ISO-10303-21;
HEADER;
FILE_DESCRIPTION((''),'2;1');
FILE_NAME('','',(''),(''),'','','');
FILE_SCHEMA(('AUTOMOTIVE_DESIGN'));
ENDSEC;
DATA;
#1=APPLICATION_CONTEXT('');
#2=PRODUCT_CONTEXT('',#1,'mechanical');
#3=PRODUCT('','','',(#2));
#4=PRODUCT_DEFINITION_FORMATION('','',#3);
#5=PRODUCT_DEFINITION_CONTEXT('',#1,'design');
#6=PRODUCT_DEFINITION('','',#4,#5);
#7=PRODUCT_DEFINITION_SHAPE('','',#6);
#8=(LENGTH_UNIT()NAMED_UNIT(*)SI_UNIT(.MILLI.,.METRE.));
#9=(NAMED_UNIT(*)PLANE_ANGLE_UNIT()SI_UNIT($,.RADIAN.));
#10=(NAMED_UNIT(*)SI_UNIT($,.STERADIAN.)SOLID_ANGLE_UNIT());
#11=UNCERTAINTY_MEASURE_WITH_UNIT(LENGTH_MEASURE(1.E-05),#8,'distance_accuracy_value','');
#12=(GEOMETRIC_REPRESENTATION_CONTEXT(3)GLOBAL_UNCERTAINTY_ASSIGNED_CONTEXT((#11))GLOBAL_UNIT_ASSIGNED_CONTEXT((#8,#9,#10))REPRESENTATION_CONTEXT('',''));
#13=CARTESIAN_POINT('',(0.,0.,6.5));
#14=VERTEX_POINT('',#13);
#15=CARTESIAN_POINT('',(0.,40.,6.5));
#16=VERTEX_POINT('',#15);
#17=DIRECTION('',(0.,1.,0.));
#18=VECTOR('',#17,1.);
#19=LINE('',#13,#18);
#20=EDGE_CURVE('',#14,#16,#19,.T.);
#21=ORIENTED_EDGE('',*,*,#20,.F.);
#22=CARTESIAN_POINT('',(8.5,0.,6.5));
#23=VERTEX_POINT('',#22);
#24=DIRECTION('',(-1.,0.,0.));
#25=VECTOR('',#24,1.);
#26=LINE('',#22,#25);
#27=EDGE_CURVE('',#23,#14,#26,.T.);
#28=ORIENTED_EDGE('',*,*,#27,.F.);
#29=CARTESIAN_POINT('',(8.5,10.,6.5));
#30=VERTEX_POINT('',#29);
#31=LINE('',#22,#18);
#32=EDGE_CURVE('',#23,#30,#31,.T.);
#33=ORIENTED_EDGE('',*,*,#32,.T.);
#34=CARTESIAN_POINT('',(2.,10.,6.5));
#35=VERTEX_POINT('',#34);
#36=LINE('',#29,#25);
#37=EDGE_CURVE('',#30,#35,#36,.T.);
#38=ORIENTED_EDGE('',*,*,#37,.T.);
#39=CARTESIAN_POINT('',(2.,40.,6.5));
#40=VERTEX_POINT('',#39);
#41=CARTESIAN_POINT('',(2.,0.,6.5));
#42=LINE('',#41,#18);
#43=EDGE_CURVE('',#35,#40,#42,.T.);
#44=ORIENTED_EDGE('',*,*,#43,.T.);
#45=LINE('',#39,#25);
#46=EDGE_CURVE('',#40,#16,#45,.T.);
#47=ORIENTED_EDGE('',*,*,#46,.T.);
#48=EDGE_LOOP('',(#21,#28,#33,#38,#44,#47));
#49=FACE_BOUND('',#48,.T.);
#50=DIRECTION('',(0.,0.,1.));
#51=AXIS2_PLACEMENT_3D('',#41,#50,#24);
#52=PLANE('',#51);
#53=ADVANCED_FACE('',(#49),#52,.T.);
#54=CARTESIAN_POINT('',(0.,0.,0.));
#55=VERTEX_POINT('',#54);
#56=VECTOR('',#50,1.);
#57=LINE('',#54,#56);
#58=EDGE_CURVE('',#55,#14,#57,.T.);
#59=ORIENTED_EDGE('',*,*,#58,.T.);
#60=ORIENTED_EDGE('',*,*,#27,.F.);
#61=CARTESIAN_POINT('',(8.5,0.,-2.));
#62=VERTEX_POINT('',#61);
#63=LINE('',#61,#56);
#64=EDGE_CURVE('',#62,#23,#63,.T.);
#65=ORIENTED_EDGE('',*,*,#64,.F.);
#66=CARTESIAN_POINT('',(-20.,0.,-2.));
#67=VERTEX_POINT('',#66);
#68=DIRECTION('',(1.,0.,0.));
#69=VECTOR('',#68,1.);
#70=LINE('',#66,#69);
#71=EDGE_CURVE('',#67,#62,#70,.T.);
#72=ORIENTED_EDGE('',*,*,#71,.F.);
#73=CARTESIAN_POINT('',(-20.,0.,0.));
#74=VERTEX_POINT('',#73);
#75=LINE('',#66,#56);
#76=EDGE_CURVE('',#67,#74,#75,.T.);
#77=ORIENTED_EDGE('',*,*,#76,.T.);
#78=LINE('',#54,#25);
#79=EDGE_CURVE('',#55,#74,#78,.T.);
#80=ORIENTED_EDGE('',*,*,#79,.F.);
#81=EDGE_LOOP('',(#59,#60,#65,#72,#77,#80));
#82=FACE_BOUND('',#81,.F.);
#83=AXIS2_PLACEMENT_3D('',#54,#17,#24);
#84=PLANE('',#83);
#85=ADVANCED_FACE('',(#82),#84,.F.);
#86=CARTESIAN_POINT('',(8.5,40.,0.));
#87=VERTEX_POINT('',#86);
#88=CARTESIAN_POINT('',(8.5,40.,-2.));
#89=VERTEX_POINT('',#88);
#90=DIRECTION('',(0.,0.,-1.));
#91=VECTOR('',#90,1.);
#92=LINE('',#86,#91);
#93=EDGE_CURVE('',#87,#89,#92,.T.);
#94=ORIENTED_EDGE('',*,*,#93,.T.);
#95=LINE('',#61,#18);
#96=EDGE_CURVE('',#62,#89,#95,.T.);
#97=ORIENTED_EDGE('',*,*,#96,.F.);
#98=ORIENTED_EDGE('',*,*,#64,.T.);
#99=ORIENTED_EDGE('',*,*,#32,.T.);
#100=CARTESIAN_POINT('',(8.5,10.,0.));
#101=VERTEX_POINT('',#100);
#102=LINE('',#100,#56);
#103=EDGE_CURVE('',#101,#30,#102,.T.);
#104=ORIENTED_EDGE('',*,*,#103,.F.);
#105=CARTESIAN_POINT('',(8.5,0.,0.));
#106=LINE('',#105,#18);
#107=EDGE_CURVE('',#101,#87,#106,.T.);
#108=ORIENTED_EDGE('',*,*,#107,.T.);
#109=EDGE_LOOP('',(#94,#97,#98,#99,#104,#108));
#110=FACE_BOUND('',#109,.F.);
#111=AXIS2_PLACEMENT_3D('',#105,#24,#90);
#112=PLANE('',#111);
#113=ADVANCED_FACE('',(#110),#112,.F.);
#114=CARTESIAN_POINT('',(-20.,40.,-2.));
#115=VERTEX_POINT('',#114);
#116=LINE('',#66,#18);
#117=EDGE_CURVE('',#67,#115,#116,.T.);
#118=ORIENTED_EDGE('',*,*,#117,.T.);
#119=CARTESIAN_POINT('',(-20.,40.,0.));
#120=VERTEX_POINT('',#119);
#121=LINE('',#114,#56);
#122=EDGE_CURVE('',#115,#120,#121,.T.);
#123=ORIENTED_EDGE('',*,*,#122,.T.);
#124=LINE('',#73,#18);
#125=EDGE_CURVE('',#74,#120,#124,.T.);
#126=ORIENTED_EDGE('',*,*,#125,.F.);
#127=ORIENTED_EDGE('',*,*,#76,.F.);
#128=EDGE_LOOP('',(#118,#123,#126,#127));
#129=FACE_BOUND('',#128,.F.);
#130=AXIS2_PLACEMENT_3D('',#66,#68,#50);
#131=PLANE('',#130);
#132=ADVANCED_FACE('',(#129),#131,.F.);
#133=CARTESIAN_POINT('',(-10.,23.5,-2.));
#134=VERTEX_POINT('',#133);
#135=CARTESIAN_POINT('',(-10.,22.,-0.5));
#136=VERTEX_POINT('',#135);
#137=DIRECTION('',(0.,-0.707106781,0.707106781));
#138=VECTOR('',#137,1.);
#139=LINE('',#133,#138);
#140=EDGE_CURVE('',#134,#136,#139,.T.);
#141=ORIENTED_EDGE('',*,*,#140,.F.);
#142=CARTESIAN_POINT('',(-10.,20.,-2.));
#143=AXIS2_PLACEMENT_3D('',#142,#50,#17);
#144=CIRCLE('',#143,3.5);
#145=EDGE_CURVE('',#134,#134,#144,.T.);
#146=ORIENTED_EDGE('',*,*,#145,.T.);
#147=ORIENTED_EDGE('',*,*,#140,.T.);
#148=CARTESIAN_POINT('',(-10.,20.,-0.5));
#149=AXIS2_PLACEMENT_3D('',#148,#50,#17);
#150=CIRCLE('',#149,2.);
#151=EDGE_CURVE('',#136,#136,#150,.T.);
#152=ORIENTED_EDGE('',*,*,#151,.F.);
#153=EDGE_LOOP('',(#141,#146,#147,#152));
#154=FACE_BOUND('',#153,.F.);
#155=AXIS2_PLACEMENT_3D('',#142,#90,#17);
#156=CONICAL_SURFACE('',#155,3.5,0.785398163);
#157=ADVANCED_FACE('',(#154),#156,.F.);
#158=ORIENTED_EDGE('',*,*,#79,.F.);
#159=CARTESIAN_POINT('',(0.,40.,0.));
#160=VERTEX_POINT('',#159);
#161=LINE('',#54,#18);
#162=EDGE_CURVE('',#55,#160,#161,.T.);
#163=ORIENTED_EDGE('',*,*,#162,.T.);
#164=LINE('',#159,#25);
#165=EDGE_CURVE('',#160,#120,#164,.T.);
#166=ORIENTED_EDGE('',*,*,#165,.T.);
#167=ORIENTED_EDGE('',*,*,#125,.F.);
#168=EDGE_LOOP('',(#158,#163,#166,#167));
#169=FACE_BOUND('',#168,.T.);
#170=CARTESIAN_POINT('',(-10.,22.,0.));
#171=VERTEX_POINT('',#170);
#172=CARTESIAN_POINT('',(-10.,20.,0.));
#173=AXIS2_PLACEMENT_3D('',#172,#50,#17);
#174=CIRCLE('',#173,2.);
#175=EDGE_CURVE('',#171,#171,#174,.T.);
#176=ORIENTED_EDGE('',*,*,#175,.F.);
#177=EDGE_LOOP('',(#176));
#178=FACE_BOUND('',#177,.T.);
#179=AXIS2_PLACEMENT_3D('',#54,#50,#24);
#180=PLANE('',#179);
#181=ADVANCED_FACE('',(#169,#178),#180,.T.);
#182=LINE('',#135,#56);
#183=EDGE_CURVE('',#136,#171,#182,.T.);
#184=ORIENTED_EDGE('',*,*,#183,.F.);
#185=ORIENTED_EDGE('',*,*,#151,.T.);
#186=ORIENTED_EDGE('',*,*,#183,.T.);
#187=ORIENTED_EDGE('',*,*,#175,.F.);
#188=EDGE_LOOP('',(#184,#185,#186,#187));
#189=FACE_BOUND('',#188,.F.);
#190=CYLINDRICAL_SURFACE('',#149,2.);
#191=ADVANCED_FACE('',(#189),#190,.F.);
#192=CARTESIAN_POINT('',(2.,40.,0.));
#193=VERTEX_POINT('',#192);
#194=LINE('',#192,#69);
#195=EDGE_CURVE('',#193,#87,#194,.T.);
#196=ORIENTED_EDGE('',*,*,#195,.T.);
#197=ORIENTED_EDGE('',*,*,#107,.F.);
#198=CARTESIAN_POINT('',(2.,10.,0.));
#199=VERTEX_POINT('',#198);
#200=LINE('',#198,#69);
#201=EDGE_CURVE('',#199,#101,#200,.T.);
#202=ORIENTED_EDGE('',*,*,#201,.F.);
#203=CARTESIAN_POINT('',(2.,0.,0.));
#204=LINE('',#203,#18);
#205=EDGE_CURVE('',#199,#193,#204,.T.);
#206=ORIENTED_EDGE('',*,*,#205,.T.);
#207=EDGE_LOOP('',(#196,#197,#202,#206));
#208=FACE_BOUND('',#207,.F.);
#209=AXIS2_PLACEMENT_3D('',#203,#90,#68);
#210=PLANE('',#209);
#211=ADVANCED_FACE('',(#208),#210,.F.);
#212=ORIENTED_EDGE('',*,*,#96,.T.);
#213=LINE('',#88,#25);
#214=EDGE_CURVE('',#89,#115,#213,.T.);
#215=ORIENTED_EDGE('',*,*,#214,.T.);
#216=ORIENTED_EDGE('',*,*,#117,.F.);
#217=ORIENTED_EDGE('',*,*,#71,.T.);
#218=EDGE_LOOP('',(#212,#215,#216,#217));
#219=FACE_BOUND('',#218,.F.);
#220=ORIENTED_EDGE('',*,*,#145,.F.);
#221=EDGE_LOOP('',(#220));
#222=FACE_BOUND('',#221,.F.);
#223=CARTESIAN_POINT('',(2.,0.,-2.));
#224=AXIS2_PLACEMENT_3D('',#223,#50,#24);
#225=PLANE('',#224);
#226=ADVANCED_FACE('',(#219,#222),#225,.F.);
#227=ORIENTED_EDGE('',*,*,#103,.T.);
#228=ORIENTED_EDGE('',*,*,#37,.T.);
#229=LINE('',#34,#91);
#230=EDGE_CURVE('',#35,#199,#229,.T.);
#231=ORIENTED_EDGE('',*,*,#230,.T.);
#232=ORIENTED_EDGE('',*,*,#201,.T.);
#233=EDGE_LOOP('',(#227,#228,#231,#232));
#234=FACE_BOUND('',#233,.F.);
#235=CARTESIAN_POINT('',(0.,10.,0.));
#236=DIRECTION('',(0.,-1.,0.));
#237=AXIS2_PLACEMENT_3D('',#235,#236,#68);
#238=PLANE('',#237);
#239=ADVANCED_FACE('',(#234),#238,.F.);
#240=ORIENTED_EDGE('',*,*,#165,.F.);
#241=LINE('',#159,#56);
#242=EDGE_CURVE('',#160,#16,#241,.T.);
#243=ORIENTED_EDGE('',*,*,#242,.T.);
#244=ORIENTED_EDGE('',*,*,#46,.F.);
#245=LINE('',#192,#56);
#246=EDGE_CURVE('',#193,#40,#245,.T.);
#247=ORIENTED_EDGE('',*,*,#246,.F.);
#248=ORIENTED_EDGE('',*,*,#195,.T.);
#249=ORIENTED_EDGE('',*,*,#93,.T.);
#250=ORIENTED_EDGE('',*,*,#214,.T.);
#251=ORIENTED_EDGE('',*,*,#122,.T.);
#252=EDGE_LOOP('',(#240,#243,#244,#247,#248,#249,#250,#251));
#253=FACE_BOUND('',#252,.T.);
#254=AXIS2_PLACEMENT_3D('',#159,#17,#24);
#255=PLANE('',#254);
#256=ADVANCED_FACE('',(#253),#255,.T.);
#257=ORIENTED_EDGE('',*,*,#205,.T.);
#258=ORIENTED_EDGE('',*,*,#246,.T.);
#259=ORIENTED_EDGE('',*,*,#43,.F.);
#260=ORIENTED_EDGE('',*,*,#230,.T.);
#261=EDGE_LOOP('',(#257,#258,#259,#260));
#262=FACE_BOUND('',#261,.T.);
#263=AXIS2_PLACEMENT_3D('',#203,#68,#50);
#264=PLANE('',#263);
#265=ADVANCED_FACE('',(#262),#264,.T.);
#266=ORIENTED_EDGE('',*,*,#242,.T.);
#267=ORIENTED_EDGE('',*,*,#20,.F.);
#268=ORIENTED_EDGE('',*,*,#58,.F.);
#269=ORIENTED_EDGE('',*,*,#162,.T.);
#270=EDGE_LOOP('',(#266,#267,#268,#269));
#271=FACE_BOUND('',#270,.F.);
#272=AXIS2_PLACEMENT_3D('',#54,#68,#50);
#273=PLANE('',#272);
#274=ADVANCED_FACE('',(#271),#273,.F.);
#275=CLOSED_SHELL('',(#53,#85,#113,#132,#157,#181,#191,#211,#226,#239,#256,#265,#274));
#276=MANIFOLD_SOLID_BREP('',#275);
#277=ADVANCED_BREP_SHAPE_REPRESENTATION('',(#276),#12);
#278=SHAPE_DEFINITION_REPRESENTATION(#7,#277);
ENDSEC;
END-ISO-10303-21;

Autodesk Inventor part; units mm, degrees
ref_plane "YZ Plane" through (0, 0, 0) normal (1, 0, 0) x (0, 1, 0)
ref_plane "XZ Plane" through (0, 0, 0) normal (0, 1, 0) x (-1, 0, 0)
ref_plane "XY Plane" through (0, 0, 0) normal (0, 0, 1) x (1, 0, 0)
sketch "Sketch1" plane through (0, 0, 0) normal (0, 1, 0) x (-1, 0, 0)
  line L0 (0, 0) -> (0, 6.5)
  line L1 (0, 0) -> (20, 0)
  line L2 (-2, -2) -> (20, -2)
  line L3 (-2, 0) -> (-2, 6.5)
  line L4 (20, -2) -> (20, 0)
  line L5 (-2, 0) -> (-8.5, 0)
  line L6 (-8.5, -2) -> (-2, -2)
  line L7 (-8.5, 0) -> (-8.5, -2)
  line L8 (-2, 6.5) -> (0, 6.5)
  dimension "d2" = 20
  dimension "d3" = 2
  dimension "d5" = 2
  dimension "d30" = 6.5
  dimension "d33" = 6.5
extrude "Extrusion1" add sketch "Sketch1" along normal blind 40
sketch "Sketch2" plane through (0, 0, 0) normal (0, -1, 0) x (1, 0, 0)
  line L0 (2, 0) -> (8.5, 0)
  line L1 (8.5, 0) -> (8.5, 6.5)
  line L2 (8.5, 6.5) -> (2, 6.5)
  line L3 (2, 6.5) -> (2, 0)
  point P0 (0, 0)
  dimension "d10" = 6.5
  dimension "d11" = 6.5
extrude "Extrusion2" add sketch "Sketch2" against normal blind 10
sketch "Sketch3" plane through (22, 0, -2) normal (0, 0, -1) x (-1, 0, 0)
  line L0 (42, 0) -> (42, 40) projected
  circle A0 centre (32, 20) radius 3.5
  circle A1 centre (32, 20) radius 2
  line L1 (32, 20) -> (42, 20)
  line L2 (42, 0) -> (42, 40) projected
  point P0 (22, 0)
  dimension "d15" = 7
  dimension "d18" = 4
  dimension "d32" = 10
hole "Hole1" at (-10, 20, -2) direction (0, 0, 1) diameter 4 end through all countersink diameter 7 countersink angle 90
properties part number "3DPrintBracket" material "PC/ABS Plastic"
